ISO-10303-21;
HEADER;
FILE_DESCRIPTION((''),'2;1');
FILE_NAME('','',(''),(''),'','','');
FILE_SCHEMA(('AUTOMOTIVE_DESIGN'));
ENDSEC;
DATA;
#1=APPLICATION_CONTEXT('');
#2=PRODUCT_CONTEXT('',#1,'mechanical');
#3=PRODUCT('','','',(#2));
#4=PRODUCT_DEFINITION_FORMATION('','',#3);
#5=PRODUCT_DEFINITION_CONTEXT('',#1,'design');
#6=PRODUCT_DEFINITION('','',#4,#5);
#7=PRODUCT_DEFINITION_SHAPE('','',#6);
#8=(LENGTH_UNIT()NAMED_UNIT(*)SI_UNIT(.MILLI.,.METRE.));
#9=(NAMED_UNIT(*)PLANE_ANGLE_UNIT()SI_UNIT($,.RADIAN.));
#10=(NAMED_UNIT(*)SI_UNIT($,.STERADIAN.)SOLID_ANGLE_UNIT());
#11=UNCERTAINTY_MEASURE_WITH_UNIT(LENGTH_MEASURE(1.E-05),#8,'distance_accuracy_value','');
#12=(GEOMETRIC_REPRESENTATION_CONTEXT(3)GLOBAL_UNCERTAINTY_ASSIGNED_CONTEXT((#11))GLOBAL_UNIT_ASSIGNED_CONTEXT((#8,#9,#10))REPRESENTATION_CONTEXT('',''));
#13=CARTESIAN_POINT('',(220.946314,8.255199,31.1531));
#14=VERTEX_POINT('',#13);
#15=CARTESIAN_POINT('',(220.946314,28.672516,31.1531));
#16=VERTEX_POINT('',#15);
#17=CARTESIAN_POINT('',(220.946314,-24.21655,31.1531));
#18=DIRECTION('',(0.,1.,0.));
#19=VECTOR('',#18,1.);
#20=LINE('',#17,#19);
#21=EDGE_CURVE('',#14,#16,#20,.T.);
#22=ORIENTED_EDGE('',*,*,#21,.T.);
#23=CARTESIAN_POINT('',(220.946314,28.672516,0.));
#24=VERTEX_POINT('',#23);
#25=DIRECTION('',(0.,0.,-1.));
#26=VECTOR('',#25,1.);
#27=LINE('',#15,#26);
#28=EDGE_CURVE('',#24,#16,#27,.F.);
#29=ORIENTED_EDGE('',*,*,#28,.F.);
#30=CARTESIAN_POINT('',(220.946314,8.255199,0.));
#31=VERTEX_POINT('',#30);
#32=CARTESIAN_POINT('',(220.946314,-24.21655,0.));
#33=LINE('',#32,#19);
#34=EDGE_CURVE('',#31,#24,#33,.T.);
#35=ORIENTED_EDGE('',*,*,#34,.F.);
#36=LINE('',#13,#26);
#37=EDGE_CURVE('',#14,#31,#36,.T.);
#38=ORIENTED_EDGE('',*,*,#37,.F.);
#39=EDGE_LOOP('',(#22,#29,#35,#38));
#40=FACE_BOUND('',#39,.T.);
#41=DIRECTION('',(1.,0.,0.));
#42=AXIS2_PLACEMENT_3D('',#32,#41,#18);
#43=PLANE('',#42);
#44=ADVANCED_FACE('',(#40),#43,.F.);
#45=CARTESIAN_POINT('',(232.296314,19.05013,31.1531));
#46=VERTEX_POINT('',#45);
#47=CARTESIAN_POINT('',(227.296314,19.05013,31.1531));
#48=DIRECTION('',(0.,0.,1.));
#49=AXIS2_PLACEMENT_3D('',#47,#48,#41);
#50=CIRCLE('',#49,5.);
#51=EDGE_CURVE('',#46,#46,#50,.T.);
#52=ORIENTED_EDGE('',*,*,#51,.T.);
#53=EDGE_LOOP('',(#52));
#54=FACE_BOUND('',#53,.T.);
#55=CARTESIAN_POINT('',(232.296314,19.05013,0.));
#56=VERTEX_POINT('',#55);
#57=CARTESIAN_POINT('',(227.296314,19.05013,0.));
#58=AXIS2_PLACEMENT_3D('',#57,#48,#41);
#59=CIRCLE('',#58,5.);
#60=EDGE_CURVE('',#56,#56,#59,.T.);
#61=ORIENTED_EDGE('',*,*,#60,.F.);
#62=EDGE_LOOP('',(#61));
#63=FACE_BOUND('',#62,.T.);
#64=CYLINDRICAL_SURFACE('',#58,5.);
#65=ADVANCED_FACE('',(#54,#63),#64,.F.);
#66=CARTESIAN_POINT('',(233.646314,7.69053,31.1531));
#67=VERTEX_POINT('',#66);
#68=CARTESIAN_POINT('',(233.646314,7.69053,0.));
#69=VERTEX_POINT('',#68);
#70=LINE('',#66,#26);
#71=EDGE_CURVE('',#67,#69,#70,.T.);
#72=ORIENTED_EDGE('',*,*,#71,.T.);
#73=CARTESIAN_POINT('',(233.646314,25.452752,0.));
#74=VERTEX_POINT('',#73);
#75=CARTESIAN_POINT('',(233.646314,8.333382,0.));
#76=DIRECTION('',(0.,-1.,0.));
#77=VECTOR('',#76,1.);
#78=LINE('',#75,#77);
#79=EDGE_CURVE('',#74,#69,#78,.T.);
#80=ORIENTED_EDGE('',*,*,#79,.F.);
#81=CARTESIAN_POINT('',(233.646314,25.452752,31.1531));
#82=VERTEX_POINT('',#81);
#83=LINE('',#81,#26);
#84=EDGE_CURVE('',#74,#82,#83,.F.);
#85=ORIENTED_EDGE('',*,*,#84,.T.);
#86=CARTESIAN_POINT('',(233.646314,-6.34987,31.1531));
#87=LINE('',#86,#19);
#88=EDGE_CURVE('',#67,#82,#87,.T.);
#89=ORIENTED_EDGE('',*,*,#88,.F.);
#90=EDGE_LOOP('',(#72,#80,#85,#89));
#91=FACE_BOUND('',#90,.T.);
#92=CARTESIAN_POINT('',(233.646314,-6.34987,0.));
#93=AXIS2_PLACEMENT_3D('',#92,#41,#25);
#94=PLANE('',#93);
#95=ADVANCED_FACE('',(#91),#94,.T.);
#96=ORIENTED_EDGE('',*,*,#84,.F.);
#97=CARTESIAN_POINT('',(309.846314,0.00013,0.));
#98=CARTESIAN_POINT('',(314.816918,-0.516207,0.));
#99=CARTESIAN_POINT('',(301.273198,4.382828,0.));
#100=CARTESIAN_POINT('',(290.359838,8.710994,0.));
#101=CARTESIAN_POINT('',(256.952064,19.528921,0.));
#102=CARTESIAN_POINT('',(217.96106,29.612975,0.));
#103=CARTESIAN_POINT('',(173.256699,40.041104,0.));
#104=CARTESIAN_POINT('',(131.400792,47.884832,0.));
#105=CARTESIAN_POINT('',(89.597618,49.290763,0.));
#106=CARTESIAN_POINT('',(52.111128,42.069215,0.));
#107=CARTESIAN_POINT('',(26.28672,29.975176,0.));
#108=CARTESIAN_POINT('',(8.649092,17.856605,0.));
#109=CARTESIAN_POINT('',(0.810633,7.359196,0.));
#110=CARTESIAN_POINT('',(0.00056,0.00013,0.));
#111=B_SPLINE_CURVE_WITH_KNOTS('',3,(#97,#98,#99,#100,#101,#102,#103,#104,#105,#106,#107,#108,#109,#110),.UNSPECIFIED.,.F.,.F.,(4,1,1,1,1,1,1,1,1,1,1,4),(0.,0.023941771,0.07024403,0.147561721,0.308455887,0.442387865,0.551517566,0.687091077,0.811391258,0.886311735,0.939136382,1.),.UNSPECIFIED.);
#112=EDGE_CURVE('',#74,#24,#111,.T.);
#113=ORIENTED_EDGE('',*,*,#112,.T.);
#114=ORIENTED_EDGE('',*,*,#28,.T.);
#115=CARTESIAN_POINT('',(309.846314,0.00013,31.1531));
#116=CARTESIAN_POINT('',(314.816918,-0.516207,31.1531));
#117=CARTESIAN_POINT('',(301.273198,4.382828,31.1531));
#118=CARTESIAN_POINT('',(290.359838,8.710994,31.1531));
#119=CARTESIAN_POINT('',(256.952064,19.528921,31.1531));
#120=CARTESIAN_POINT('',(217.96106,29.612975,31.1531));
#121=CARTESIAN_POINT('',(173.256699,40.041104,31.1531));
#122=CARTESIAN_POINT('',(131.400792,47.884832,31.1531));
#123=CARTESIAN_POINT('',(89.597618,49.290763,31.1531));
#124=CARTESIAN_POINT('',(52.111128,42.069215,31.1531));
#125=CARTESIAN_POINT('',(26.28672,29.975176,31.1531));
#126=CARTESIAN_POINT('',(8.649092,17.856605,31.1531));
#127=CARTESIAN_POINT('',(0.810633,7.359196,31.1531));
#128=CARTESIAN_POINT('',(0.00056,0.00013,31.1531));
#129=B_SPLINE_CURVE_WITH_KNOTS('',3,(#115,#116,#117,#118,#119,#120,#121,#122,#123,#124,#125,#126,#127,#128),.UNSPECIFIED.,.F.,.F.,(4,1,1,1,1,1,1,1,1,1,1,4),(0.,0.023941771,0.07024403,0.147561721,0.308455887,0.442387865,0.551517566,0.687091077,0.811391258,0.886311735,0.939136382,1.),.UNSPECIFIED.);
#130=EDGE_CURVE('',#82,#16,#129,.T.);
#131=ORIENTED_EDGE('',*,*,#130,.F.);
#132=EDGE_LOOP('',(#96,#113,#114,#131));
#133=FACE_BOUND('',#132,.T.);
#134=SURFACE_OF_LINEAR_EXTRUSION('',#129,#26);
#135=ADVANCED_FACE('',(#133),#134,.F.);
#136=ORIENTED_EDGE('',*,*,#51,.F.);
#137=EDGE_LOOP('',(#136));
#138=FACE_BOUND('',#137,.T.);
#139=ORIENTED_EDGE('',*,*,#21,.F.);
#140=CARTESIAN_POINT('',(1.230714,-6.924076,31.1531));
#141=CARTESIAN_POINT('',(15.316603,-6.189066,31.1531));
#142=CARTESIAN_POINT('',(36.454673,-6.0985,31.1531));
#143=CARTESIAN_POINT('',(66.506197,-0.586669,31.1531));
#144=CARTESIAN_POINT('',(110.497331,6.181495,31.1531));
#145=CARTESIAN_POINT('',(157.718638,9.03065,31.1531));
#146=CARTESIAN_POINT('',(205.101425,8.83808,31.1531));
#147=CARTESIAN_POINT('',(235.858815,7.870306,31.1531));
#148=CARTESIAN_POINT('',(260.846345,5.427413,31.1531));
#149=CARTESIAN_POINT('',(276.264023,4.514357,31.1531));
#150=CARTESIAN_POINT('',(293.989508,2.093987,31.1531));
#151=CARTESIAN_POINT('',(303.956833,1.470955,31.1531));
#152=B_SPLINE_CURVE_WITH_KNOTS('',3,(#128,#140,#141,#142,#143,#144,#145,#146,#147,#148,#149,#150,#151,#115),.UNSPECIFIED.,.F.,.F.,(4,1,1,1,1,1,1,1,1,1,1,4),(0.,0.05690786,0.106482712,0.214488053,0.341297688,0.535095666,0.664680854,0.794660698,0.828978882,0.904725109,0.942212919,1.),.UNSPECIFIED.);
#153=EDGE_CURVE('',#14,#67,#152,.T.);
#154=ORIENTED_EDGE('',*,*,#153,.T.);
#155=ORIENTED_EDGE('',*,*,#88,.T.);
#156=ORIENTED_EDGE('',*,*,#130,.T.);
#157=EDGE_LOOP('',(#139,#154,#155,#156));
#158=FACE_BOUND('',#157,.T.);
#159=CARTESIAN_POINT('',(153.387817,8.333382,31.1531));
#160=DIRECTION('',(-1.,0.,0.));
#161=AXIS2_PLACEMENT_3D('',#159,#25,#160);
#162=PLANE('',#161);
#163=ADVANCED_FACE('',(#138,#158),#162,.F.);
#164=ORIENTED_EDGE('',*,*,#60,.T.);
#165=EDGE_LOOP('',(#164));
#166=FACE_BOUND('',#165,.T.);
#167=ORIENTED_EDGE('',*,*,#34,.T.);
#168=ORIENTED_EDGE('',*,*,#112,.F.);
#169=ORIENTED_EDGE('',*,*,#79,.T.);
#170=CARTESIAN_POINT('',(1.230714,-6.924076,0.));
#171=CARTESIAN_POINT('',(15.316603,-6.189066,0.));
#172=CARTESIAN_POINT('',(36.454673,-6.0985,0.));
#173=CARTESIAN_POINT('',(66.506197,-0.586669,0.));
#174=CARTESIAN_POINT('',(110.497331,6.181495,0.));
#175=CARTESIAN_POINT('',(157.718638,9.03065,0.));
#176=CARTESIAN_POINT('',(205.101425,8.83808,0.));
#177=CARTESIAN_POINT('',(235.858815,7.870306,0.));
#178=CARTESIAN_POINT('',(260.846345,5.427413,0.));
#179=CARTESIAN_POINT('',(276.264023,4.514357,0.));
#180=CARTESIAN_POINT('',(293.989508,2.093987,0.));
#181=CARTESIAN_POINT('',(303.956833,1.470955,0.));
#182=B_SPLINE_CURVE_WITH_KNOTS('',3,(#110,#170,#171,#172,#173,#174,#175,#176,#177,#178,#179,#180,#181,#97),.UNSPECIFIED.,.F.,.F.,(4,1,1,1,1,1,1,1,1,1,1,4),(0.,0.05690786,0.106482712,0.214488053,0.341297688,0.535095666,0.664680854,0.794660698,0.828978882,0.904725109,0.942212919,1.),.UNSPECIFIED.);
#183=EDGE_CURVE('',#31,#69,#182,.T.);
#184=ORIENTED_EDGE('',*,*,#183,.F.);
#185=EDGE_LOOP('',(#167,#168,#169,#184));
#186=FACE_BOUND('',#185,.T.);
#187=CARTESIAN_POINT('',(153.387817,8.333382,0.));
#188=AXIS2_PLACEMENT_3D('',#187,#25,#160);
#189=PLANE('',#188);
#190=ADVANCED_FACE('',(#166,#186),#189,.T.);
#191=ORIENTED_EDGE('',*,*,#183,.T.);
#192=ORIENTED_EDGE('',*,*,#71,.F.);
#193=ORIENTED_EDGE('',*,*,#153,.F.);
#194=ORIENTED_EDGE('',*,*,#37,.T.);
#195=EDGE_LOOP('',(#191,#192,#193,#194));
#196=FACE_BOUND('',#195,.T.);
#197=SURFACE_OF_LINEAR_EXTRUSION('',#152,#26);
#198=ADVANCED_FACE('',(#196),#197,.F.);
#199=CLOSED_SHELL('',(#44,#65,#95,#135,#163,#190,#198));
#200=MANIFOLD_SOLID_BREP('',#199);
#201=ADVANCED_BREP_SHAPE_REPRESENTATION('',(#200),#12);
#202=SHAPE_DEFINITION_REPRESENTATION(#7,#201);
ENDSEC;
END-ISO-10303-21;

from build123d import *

# Parameters (mm, degrees)
BOSS_EXTRUDE1_DEPTH = 31.1531
SKETCH2_R           = 6.35
SKETCH2_R_2         = 5
CUT_EXTRUDE1_DEPTH  = 318.261218693
SKETCH3_W           = 116.84
SKETCH3_H           = 50.8
CUT_EXTRUDE2_DEPTH  = 318.261218693
SKETCH4_W           = 250.150530068
SKETCH4_H           = 117.489254048
CUT_EXTRUDE3_DEPTH  = 241.601180007


with BuildPart() as part:
    # Sketch1 → Boss-Extrude1 (new body)
    with BuildSketch(Plane.XY):
        with BuildLine():
            add(Edge.make_bspline(
                [(0.000560351, 0.000130087), (0.810633127, 7.359196055), (8.649092025, 17.856605174), (26.286719818, 29.975176328), (52.111128271, 42.069215275), (89.597618475, 49.290763054), (131.400792109, 47.884831915), (173.256699242, 40.041104278), (217.961060472, 29.612974894), (256.952064401, 19.528920948), (290.35983767, 8.71099439), (301.273197721, 4.382828139), (314.816918223, -0.516206742), (309.846313895, 0.000130087)],
                knots=[0, 0, 0, 0, 0.060863618, 0.113688265, 0.188608742, 0.312908923, 0.448482434, 0.557612135, 0.691544113, 0.852438279, 0.92975597, 0.976058229, 1, 1, 1, 1], degree=3))
            add(Edge.make_bspline(
                [(309.846313895, 0.000130087), (303.956832565, 1.47095521), (293.989507544, 2.093987313), (276.26402299, 4.514356704), (260.846344817, 5.427413394), (235.858814759, 7.870306192), (205.101424636, 8.838080282), (157.718638092, 9.030650149), (110.497331172, 6.181495223), (66.506197185, -0.586669107), (36.454672816, -6.098499901), (15.316603331, -6.189065841), (1.230714189, -6.924076091), (0.000560351, 0.000130087)],
                knots=[0, 0, 0, 0, 0.057787081, 0.095274891, 0.171021118, 0.205339302, 0.335319146, 0.464904334, 0.658702312, 0.785511947, 0.893517288, 0.94309214, 1, 1, 1, 1], degree=3))
        make_face()
    extrude(amount=BOSS_EXTRUDE1_DEPTH)

    # Sketch2 → Cut-Extrude1 (cut, through all)
    with BuildSketch(Plane.XY.offset(31.1531)):
        with Locations((20.32, 10.16)):
            Circle(SKETCH2_R)
        with Locations((227.296313895, 19.050130087)):
            Circle(SKETCH2_R_2)
    extrude(amount=-CUT_EXTRUDE1_DEPTH, mode=Mode.SUBTRACT)

    # Sketch3 → Cut-Extrude2 (cut, through all)
    with BuildSketch(Plane.XY.offset(31.1531)):
        with Locations((292.066313895, 19.050130087)):
            Rectangle(SKETCH3_W, SKETCH3_H)
    extrude(amount=-CUT_EXTRUDE2_DEPTH, mode=Mode.SUBTRACT)

    # Sketch4 → Cut-Extrude3 (cut, through all)
    with BuildSketch(Plane.XY.offset(31.1531)):
        with Locations((95.871048861, 34.528076629)):
            Rectangle(SKETCH4_W, SKETCH4_H)
    extrude(amount=-CUT_EXTRUDE3_DEPTH, mode=Mode.SUBTRACT)


solid = part.part
